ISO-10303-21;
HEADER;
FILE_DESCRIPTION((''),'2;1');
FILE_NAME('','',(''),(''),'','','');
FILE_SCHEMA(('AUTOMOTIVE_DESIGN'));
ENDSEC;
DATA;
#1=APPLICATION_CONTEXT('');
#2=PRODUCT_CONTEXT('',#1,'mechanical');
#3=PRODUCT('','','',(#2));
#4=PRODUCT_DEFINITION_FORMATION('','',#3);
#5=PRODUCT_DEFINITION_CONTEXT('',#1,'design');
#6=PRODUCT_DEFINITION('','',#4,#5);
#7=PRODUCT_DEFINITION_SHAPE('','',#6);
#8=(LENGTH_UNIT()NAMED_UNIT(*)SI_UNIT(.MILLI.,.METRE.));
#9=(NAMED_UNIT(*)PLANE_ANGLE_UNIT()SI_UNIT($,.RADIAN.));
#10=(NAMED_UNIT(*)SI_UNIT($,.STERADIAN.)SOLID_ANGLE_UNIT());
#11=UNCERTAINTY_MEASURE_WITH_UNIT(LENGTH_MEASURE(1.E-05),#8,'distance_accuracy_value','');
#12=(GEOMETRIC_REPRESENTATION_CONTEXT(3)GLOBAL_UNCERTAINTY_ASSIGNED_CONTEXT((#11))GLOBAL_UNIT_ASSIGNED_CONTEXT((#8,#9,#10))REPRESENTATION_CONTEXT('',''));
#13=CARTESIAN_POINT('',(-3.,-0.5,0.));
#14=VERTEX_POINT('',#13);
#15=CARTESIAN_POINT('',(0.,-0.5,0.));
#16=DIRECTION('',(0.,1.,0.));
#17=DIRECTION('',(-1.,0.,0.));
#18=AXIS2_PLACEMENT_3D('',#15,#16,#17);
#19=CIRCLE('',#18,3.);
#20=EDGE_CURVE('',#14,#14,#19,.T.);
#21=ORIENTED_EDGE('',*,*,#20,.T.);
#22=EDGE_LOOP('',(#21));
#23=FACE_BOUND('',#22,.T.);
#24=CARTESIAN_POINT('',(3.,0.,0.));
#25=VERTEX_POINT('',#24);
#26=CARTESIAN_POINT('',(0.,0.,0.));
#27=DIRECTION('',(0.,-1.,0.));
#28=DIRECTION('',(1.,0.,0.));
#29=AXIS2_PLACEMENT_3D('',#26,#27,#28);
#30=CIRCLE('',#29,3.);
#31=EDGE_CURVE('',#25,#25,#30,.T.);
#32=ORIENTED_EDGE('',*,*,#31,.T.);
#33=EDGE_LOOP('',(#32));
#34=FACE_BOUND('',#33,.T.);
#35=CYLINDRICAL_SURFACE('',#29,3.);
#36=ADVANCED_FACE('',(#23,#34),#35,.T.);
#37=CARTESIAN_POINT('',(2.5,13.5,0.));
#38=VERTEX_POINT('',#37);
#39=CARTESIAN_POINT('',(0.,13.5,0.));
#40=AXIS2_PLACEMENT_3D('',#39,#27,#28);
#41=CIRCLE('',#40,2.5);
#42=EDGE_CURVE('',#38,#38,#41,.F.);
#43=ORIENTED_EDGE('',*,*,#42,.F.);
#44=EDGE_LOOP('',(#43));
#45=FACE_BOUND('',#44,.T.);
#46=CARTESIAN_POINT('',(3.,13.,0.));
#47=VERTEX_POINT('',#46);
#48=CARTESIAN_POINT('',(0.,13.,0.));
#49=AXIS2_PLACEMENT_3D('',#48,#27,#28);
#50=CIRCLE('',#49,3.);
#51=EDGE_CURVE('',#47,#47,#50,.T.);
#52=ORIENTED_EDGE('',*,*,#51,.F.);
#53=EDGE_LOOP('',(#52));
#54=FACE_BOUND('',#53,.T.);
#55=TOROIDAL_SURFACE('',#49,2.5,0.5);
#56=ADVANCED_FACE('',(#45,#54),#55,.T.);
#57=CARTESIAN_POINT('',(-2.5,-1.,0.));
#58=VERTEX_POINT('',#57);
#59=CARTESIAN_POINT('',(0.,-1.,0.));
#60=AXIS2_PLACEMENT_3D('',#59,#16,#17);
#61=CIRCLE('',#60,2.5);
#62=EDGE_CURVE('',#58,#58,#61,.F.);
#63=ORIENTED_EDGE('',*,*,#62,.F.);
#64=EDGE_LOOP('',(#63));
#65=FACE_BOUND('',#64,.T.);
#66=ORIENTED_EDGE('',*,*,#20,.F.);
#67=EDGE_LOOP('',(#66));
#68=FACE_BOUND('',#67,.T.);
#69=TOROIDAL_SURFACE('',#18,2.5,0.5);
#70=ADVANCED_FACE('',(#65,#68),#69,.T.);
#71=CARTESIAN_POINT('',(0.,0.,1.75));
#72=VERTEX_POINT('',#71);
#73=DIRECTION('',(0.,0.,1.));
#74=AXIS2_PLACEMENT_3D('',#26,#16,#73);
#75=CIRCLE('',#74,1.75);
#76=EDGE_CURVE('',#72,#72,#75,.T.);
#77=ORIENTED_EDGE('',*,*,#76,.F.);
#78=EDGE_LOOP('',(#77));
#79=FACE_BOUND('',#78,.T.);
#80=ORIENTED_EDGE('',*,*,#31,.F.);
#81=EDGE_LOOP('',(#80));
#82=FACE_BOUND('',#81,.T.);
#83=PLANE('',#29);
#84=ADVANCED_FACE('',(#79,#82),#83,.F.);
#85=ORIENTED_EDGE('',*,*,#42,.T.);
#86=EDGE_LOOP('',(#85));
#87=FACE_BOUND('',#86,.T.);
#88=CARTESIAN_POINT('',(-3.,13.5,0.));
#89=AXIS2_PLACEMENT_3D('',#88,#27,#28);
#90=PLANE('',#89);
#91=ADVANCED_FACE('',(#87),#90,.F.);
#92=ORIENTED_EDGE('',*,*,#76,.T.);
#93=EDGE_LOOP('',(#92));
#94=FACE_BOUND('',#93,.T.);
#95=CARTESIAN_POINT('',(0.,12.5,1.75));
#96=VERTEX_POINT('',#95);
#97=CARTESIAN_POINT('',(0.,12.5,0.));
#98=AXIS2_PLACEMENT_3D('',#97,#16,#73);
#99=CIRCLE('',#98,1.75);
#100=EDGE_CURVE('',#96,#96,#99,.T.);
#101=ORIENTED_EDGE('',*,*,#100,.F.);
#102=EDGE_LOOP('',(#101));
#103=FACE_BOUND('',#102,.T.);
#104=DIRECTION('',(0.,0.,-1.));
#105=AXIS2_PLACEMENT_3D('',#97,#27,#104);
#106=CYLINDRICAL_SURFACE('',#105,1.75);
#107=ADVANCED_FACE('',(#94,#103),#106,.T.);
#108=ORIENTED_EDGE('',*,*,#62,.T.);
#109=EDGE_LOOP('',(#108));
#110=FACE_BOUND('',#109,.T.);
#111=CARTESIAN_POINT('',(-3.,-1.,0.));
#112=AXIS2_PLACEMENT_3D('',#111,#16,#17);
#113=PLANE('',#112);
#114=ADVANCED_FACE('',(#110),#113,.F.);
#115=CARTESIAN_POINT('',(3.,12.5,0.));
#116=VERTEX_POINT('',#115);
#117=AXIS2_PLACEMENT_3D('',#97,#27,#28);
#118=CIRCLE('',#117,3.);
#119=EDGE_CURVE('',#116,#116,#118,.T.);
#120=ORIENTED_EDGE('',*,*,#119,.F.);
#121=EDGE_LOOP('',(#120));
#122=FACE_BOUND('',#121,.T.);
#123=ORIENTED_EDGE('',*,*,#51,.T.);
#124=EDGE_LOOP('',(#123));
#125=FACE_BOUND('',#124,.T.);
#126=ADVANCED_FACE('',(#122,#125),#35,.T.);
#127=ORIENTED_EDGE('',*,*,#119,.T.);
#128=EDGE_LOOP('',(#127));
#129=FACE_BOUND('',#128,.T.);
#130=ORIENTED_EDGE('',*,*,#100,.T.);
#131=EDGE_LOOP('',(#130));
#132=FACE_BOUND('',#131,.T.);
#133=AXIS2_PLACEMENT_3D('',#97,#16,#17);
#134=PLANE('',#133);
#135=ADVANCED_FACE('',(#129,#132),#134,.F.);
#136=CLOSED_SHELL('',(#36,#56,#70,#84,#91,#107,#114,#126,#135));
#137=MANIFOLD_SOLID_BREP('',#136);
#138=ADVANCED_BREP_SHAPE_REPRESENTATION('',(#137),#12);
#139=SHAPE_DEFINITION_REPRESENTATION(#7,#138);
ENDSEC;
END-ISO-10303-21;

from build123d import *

# Parameters (mm, degrees)
SKETCH1_R           = 1.75
BOSS_EXTRUDE1_DEPTH = 12.5
SKETCH2_W           = 3
SKETCH2_H           = 1
FILLET1_R           = 0.5


with BuildPart() as part:
    # Sketch1 → Boss-Extrude1 (new body)
    with BuildSketch(Plane(origin=(0, 0, 0), x_dir=(1, 0, 0), z_dir=(0, 1, 0))):
        with Locations(Location((0, 0, 0), (0, 0, 270))):
            Circle(SKETCH1_R)
    extrude(amount=BOSS_EXTRUDE1_DEPTH)

    # Sketch2 → Revolve1 (revolve)
    with BuildSketch(Plane.XY, mode=Mode.PRIVATE) as revolve1_sk:
        with Locations((-1.5, 13)):
            Rectangle(SKETCH2_W, SKETCH2_H)
        with Locations((-1.5, -0.5)):
            Rectangle(SKETCH2_W, SKETCH2_H)
    revolve(revolve1_sk.sketch.rotate(Axis((0, 0, 0), (0, 1, 0)), 180), axis=Axis((0, 0, 0), (0, 1, 0)))

    # Fillet1
    fillet1_edges = [part.edges().sort_by_distance(p)[0] for p in [
        (-3, -1, 0),
        (-3, 13.5, 0),
    ]]
    fillet(fillet1_edges, radius=FILLET1_R)


solid = part.part
